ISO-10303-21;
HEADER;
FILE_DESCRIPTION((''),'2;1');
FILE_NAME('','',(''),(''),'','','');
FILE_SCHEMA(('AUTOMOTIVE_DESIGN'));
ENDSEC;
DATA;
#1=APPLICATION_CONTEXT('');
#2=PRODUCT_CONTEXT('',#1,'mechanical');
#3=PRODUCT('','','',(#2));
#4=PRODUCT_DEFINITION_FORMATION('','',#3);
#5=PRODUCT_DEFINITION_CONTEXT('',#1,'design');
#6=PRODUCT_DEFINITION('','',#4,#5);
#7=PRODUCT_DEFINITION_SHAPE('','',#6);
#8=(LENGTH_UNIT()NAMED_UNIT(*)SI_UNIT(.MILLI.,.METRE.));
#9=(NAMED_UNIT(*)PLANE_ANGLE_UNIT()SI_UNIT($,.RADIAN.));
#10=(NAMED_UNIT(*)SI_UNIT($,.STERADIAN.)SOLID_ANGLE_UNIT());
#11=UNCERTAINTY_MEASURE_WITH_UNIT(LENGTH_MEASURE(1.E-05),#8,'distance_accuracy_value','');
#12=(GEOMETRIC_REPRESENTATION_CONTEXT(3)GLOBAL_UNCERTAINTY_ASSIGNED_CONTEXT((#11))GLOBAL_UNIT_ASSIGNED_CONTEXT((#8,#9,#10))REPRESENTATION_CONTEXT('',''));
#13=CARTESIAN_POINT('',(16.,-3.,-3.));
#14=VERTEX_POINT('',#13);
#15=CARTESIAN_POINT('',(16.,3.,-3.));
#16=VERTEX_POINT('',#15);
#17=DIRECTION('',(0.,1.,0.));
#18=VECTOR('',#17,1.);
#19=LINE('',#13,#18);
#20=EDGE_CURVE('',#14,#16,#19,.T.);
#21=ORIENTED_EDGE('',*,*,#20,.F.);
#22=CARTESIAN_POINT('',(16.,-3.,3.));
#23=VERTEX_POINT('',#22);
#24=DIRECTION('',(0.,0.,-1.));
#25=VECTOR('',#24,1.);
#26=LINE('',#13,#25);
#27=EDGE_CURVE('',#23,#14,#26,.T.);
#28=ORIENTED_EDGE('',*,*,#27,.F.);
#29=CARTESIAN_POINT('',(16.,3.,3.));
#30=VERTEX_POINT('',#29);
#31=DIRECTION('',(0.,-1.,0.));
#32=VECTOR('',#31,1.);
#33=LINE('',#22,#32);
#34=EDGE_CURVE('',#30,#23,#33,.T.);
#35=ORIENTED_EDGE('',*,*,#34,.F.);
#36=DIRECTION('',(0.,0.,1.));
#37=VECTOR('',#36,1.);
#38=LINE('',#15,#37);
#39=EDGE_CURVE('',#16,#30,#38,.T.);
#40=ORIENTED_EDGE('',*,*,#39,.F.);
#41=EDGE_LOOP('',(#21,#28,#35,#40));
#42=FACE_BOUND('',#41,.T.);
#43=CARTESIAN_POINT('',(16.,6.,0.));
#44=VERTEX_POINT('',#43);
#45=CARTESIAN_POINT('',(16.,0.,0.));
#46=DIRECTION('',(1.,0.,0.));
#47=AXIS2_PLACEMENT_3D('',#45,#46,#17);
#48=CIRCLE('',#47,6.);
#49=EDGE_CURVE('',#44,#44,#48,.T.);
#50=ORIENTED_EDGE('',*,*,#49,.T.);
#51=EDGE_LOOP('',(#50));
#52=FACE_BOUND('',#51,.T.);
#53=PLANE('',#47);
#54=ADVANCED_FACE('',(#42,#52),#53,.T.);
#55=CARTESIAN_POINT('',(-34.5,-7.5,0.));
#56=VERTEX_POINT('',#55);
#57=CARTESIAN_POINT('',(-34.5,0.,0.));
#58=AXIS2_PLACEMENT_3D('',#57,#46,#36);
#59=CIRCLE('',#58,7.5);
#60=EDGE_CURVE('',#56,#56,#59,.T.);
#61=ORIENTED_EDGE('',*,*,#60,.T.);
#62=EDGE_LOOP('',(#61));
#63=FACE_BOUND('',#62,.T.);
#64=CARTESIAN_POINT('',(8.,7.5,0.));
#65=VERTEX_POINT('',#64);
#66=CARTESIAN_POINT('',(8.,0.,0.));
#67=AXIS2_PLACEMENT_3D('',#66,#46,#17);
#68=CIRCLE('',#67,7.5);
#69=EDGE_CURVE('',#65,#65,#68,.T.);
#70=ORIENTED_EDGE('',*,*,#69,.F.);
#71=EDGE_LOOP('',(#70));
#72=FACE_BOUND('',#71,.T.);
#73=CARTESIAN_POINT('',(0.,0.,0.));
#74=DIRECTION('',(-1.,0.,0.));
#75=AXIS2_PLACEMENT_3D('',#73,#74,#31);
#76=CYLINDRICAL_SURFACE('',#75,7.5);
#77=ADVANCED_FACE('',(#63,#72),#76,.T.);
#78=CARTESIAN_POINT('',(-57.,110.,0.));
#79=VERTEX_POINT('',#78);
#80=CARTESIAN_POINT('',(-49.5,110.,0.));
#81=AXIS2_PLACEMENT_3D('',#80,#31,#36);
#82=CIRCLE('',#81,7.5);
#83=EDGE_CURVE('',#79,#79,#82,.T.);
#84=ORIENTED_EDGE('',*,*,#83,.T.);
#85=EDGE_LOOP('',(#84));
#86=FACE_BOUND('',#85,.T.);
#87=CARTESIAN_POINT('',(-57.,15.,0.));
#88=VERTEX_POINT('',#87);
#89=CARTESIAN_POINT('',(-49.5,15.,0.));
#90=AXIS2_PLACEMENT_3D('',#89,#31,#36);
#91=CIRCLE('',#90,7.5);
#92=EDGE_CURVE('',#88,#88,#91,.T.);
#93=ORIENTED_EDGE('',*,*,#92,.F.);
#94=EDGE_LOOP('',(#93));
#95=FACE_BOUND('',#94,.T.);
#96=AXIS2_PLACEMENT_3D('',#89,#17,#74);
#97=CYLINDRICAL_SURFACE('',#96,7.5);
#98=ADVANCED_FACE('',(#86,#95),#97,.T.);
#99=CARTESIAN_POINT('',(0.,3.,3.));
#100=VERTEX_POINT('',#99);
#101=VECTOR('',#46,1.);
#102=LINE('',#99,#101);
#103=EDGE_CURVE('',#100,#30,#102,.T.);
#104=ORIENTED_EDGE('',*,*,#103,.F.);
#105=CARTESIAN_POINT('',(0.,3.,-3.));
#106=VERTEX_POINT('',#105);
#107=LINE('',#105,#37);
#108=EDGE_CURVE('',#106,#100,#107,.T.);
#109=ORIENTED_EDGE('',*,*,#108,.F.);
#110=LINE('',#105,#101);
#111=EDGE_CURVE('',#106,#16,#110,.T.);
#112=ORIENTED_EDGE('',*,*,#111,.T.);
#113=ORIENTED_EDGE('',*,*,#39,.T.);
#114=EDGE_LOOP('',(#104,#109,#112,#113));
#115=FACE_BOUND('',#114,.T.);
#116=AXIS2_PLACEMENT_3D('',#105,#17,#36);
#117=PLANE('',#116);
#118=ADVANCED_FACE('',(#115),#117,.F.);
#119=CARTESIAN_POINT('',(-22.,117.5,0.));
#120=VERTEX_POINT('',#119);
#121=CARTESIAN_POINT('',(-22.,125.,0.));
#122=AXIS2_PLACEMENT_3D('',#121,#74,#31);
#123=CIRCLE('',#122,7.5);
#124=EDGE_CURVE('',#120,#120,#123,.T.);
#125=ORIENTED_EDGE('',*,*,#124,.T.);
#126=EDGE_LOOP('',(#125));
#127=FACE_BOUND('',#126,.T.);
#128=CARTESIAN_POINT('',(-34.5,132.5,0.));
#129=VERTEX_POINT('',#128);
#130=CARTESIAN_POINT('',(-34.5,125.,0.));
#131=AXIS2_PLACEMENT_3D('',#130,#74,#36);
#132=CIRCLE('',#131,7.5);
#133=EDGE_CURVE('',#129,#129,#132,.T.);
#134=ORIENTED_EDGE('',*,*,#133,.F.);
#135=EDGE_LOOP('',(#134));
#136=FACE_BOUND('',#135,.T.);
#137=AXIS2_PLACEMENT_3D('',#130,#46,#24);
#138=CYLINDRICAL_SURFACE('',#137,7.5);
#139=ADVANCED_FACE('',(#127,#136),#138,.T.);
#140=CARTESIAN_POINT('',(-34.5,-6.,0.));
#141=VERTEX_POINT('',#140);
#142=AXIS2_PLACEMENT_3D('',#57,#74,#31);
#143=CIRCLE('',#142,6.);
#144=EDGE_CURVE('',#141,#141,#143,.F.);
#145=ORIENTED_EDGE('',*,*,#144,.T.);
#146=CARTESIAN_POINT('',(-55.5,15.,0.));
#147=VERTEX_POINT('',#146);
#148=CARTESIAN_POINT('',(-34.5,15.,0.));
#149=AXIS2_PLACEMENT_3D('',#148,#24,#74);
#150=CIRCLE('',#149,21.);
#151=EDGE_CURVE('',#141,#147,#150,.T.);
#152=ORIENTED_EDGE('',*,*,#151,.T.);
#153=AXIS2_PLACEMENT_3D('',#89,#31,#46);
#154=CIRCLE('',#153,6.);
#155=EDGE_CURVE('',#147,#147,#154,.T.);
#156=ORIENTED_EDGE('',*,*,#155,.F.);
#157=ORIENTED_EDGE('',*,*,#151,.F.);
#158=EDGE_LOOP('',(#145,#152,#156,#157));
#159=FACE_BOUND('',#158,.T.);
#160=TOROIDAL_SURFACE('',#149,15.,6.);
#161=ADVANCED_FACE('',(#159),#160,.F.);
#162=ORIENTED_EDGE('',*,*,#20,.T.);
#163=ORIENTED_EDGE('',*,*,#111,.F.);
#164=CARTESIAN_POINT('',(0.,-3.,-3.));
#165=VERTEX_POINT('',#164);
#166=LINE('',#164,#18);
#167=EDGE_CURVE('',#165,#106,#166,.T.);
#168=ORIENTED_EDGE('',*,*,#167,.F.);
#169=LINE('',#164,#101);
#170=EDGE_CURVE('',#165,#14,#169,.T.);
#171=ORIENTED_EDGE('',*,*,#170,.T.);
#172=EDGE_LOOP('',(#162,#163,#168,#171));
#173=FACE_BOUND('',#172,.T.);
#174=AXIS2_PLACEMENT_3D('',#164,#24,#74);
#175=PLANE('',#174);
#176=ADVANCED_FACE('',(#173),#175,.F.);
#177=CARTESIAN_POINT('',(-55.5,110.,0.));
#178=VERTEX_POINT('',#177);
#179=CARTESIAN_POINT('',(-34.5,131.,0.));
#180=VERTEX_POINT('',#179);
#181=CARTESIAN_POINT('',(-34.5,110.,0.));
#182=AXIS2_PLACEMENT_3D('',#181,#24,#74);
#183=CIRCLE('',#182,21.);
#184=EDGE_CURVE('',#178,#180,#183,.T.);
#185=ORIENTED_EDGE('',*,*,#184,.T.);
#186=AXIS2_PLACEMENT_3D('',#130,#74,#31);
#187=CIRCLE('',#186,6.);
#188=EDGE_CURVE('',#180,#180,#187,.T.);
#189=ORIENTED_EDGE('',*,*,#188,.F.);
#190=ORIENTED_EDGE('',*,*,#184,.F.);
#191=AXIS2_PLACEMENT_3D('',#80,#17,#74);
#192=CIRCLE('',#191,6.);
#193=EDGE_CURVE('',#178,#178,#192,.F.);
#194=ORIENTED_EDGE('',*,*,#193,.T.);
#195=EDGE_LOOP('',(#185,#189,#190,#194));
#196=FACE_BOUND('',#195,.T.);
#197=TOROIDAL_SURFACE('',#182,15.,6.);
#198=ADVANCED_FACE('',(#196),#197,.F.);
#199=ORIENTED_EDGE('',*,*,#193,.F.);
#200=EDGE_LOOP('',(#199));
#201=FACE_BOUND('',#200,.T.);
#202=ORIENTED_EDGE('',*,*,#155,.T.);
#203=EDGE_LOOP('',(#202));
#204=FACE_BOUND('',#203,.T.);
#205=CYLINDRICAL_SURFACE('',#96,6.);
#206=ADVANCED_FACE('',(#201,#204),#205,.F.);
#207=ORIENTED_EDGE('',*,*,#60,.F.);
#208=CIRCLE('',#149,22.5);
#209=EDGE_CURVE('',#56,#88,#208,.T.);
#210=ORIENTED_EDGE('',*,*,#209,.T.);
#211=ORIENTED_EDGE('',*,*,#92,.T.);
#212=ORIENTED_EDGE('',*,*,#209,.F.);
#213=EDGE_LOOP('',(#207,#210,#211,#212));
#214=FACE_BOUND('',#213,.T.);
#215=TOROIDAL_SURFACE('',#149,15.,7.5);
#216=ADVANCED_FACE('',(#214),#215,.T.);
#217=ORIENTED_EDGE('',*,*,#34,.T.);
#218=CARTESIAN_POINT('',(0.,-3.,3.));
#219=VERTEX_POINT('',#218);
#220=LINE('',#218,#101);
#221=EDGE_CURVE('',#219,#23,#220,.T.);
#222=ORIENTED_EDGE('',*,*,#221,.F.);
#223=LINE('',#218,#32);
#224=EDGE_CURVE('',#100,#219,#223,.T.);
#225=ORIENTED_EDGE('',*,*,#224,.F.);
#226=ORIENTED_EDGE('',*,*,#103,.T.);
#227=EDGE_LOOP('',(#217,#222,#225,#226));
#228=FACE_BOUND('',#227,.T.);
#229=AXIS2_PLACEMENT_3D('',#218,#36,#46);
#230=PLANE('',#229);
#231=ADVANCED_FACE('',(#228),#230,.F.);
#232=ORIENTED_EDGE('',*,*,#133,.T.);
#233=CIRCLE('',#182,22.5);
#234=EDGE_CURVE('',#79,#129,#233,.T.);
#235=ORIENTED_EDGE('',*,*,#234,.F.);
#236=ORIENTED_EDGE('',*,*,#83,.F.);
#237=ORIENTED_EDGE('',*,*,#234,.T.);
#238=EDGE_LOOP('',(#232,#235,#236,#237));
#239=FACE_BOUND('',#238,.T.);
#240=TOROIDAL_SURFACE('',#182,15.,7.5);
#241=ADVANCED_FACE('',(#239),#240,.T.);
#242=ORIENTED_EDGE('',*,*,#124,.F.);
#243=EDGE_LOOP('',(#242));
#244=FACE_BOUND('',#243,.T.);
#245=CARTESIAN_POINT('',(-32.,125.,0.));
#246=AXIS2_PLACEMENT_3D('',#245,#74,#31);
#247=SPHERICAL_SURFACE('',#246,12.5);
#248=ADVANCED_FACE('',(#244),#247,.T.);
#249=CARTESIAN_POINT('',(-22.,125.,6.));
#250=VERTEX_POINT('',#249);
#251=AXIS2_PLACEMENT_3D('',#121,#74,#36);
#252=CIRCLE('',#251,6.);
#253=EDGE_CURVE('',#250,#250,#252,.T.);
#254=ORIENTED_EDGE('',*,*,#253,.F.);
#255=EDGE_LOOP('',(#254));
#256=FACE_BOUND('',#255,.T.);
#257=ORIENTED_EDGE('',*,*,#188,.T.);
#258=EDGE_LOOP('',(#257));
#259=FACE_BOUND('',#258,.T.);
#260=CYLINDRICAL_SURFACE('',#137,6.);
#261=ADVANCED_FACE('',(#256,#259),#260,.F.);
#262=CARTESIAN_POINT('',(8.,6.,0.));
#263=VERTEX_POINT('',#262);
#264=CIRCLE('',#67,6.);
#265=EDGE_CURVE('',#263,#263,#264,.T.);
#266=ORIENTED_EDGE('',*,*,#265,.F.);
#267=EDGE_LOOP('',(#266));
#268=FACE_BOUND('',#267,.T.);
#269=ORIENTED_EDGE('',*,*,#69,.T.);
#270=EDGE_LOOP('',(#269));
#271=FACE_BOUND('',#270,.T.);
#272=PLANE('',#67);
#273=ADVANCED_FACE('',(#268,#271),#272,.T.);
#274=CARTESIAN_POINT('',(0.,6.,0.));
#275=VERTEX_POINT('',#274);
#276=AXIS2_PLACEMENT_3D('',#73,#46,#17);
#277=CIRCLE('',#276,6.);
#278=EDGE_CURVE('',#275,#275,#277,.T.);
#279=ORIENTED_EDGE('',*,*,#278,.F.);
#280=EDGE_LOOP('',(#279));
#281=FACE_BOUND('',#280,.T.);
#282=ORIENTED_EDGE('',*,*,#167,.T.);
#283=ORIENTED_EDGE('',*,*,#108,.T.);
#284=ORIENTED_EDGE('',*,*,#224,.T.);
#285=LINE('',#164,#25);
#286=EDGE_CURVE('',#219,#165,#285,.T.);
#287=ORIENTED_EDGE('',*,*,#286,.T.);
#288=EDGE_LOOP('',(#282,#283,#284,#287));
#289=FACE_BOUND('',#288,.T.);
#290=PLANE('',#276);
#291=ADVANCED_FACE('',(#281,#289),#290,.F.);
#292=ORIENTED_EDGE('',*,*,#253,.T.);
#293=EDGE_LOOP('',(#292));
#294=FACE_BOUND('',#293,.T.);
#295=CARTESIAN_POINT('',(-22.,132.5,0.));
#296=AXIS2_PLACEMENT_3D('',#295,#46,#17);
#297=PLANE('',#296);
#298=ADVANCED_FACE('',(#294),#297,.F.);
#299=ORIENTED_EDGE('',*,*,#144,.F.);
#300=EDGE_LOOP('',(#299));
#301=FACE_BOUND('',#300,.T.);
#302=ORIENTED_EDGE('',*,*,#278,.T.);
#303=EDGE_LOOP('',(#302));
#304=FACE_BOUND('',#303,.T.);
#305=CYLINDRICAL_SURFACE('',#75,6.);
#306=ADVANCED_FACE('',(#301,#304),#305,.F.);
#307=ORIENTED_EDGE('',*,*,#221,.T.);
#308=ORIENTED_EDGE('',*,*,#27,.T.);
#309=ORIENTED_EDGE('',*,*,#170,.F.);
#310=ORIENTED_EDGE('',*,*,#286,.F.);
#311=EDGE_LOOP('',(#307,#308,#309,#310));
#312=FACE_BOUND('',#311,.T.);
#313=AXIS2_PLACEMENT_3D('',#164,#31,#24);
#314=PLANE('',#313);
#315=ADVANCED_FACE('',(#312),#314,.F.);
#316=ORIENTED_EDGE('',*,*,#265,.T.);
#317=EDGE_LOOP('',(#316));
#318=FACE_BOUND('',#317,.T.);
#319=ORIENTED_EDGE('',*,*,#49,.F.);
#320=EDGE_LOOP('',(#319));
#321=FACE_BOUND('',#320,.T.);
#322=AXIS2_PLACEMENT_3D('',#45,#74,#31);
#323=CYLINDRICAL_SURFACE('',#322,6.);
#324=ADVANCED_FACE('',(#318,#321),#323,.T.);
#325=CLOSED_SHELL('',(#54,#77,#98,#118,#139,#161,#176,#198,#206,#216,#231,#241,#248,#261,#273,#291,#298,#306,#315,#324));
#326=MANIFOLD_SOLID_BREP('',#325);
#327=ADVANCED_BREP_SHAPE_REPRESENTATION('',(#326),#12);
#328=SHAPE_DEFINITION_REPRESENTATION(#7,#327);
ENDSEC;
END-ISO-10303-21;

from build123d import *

# Parameters (mm, degrees)
SWEEP_THIN1_PROFILE_R   = 7.5
SWEEP_THIN1_PROFILE_R_2 = 6
SKETCH29_R              = 7.5
BOSS_EXTRUDE1_DEPTH     = 8
SKETCH30_R              = 6
BOSS_EXTRUDE2_DEPTH     = 8
SKETCH31_W              = 6
SKETCH31_H              = 6
CUT_EXTRUDE2_DEPTH      = 16


with BuildPart() as part:
    # Sweep-Thin1: sweep along a path in Sketch2
    with BuildLine(Plane.XY) as sweep_thin1_path:
        Line((0, 0), (-34.5, 0))
        ThreePointArc((-34.5, 0), (-45.106601718, 4.393398282), (-49.5, 15))
        Line((-49.5, 15), (-49.5, 110))
        ThreePointArc((-49.5, 110), (-45.106601718, 120.606601718), (-34.5, 125))
        Line((-34.5, 125), (-22, 125))
    # Sweep-Thin1 profile (on start of the path) → Sweep-Thin1 (sweep)
    with BuildSketch(Plane(origin=(0, 0, 0), x_dir=(0, -1, 0), z_dir=(-1, 0, 0))):
        Circle(SWEEP_THIN1_PROFILE_R)
        Circle(SWEEP_THIN1_PROFILE_R_2, mode=Mode.SUBTRACT)
    sweep(path=sweep_thin1_path.line)

    # Sketch27 → Revolve1 (revolve)
    with BuildSketch(Plane.XY):
        with BuildLine():
            Line((-22, 132.5), (-22, 125))
            Line((-22, 125), (-19.5, 125))
            ThreePointArc((-19.5, 125), (-20.141458774, 128.952847075), (-22, 132.5))
        make_face()
    revolve(axis=Axis((-22, 125, 0), (1, 0, 0)))

    # Sketch29 → Boss-Extrude1 (add)
    with BuildSketch(Plane(origin=(0, 0, 0), x_dir=(0, 0, -1), z_dir=(1, 0, 0))):
        Circle(SKETCH29_R)
    extrude(amount=BOSS_EXTRUDE1_DEPTH)

    # Sketch30 → Boss-Extrude2 (add)
    with BuildSketch(Plane(origin=(8, 0, 0), x_dir=(0, 0, -1), z_dir=(1, 0, 0))):
        Circle(SKETCH30_R)
    extrude(amount=BOSS_EXTRUDE2_DEPTH)

    # Sketch31 → Cut-Extrude2 (cut)
    with BuildSketch(Plane(origin=(16, 0, 0), x_dir=(0, 0, -1), z_dir=(1, 0, 0))):
        Rectangle(SKETCH31_W, SKETCH31_H)
    extrude(amount=-CUT_EXTRUDE2_DEPTH, mode=Mode.SUBTRACT)


solid = part.part
